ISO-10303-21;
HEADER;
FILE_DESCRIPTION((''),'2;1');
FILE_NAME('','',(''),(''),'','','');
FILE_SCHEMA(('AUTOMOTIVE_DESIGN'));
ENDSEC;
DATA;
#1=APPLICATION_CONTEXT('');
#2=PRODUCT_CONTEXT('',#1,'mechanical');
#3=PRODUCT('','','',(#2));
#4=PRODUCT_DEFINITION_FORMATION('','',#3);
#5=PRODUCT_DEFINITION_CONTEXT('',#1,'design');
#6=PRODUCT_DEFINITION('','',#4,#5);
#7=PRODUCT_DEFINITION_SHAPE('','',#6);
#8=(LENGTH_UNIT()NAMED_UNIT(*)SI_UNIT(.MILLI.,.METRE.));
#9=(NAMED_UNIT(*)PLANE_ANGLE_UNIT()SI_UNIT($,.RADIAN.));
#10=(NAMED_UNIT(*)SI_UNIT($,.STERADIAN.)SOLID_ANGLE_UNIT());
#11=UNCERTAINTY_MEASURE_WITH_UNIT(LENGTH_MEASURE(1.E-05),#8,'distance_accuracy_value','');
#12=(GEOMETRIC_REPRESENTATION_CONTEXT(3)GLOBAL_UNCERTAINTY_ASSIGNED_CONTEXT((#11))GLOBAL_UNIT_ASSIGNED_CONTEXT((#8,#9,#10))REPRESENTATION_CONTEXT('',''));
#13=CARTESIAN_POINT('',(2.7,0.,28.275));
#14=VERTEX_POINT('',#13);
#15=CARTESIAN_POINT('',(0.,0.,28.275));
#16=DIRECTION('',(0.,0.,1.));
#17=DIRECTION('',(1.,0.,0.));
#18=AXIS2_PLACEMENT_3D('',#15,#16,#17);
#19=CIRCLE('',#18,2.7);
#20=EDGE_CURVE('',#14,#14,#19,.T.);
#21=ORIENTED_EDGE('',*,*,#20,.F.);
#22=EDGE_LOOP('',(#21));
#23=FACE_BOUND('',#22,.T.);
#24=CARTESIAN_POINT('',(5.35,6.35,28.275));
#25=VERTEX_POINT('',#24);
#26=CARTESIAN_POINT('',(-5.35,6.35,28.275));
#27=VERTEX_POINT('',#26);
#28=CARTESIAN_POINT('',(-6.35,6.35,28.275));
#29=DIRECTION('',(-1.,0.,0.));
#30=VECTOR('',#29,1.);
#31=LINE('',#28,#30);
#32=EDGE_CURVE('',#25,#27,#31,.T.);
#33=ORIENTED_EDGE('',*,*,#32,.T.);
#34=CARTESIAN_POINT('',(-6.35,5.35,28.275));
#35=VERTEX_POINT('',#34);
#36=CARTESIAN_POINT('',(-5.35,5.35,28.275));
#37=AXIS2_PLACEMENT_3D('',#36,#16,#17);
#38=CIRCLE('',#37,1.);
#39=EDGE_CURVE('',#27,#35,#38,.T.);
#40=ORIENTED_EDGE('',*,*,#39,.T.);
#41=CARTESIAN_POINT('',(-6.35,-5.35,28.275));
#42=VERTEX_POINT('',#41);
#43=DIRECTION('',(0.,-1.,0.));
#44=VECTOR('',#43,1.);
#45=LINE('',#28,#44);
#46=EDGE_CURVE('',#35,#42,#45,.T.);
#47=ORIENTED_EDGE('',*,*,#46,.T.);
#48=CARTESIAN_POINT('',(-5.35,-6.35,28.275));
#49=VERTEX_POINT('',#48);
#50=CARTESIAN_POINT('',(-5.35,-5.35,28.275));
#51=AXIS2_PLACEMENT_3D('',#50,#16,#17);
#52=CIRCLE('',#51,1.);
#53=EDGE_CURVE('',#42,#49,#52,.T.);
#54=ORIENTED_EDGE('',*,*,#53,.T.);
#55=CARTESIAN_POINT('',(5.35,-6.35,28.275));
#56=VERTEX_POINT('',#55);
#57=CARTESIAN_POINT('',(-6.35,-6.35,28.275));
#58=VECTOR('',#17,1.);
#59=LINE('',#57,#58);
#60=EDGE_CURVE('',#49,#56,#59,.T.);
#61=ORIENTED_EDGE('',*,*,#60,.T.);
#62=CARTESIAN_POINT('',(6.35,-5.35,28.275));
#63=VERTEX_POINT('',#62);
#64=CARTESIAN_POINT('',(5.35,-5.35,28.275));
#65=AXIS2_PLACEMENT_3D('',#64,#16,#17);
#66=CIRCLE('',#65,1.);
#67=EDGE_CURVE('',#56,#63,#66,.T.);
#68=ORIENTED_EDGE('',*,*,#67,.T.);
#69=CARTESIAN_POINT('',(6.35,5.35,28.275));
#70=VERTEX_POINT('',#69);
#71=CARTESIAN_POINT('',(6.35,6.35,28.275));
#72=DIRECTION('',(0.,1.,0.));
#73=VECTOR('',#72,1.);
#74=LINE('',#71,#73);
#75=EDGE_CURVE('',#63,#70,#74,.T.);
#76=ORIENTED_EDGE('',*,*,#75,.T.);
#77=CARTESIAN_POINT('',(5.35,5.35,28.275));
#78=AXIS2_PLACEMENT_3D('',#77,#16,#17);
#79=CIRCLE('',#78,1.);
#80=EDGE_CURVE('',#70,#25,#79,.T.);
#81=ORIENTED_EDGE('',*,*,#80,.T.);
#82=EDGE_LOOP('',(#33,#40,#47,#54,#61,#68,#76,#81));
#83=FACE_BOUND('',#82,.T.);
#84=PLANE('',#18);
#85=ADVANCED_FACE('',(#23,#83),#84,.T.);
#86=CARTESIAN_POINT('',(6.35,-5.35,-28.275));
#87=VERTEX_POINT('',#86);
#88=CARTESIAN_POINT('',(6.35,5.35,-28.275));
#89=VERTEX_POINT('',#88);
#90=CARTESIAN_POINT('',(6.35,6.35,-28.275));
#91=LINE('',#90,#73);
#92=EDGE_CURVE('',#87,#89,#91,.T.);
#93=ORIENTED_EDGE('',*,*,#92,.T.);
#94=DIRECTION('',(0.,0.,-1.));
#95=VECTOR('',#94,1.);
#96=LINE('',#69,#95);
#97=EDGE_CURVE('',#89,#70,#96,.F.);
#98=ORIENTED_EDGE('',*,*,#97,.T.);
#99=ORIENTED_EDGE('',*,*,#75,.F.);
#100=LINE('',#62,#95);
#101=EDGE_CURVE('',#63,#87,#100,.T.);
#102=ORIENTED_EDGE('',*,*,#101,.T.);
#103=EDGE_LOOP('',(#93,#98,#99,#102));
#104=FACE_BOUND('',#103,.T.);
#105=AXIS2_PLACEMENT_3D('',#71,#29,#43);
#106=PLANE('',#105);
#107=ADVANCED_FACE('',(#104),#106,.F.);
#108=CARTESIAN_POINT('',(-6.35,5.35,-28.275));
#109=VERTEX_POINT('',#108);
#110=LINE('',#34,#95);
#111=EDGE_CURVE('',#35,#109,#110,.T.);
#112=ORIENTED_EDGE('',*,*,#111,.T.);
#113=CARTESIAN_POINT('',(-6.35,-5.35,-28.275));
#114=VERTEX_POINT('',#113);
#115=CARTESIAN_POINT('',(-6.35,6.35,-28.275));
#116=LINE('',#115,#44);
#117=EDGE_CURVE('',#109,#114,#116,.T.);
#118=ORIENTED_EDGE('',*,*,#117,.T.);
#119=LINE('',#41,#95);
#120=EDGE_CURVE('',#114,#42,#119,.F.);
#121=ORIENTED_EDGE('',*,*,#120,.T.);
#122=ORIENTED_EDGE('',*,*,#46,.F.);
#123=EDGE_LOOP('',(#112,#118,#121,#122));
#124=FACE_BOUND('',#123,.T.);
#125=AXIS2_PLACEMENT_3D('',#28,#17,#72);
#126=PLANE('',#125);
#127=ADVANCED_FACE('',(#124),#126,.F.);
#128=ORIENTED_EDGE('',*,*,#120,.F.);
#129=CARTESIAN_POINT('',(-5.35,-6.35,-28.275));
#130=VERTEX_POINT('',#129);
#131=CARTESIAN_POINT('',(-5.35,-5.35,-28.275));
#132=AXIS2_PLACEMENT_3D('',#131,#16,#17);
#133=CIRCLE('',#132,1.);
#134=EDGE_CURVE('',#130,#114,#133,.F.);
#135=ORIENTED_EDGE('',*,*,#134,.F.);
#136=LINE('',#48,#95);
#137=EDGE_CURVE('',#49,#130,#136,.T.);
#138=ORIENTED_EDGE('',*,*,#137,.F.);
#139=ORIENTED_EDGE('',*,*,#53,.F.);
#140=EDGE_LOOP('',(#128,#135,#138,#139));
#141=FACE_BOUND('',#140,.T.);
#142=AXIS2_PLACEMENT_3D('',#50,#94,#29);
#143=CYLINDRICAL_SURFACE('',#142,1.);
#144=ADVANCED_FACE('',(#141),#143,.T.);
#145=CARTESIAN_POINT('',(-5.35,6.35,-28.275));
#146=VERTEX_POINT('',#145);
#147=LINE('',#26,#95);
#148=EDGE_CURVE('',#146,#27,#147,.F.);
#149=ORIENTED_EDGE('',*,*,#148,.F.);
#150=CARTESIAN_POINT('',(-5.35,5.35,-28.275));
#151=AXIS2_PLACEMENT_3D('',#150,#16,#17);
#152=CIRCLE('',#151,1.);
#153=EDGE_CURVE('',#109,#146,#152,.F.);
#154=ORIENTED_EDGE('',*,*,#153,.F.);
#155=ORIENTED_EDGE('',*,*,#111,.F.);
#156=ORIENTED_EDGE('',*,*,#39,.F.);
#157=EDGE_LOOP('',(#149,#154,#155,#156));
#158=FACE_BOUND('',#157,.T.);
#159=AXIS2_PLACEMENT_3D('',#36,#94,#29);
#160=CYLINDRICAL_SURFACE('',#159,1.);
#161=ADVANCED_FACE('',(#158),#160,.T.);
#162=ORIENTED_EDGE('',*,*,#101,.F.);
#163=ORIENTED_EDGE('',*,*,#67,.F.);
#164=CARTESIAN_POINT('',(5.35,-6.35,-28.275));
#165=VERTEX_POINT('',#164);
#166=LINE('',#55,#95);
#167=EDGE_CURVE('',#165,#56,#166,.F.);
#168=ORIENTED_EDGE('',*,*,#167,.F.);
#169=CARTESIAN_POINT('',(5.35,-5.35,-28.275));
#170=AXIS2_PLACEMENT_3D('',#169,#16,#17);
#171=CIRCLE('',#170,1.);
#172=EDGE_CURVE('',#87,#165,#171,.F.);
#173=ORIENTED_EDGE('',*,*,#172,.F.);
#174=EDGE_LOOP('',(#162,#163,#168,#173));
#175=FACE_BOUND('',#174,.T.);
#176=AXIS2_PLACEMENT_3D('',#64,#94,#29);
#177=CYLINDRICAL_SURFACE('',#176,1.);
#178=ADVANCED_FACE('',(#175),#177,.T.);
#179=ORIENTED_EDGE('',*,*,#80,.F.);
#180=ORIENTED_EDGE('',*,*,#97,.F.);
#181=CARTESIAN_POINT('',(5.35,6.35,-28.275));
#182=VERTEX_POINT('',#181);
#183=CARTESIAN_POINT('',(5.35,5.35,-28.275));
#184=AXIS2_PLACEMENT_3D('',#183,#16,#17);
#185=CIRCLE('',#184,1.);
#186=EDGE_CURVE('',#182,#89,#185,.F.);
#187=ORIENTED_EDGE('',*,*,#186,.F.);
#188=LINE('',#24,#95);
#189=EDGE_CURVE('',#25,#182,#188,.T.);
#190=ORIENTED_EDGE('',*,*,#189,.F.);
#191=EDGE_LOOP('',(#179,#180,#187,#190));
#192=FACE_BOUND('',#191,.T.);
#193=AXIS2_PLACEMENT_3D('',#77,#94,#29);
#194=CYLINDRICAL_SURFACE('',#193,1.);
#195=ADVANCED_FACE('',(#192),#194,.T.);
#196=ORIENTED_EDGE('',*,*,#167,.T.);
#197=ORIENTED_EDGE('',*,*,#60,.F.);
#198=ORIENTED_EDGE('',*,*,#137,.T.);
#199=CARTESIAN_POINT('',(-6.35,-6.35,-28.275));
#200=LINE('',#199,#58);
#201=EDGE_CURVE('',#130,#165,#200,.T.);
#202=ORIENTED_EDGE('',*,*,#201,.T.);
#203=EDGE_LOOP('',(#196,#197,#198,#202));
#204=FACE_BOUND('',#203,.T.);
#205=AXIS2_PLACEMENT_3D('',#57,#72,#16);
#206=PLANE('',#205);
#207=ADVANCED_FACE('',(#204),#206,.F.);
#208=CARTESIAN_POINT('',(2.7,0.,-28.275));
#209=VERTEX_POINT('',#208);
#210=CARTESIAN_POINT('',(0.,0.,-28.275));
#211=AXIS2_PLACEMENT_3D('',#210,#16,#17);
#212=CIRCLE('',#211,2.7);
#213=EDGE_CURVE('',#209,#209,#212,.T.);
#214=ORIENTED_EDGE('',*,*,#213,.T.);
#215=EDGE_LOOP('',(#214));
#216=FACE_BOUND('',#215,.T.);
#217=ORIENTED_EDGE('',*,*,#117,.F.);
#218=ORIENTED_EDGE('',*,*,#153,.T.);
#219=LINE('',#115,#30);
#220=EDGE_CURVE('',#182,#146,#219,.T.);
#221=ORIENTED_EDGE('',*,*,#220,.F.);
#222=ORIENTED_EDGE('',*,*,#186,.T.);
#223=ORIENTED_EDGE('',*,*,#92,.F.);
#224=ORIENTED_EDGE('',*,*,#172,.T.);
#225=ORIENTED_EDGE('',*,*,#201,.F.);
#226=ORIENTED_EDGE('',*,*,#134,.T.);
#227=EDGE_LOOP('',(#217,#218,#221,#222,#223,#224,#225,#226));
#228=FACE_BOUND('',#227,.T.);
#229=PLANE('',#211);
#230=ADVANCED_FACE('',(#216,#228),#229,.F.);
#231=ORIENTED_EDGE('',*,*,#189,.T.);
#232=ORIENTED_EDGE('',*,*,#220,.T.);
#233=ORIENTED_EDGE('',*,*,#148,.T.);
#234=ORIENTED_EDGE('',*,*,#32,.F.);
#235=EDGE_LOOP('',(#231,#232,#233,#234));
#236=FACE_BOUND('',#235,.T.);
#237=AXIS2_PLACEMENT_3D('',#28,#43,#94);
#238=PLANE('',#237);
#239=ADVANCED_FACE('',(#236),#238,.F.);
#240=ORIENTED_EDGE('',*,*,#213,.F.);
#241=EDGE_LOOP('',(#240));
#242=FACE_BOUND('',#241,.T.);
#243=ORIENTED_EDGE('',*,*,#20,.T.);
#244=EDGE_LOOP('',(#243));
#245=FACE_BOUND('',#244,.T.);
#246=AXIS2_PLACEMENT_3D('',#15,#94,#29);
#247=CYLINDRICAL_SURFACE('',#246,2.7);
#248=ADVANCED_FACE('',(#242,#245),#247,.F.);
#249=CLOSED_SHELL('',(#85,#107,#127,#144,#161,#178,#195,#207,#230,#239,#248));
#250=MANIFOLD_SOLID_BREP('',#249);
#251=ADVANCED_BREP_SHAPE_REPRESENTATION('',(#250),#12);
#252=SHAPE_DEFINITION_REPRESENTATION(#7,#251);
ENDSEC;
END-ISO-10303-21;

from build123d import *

# Parameters (mm, degrees)
SKETCH1_W           = 12.7
SKETCH1_H           = 12.7
SKETCH1_R           = 2.7
BOSS_EXTRUDE1_DEPTH = 28.275
FILLET2_R           = 1


with BuildPart() as part:
    # Sketch1 → Boss-Extrude1 (new, symmetric)
    with BuildSketch(Plane.XY):
        Rectangle(SKETCH1_W, SKETCH1_H)
        Circle(SKETCH1_R, mode=Mode.SUBTRACT)
    extrude(amount=BOSS_EXTRUDE1_DEPTH, both=True)

    # Fillet2
    fillet2_edges = [part.edges().sort_by_distance(p)[0] for p in [
        (6.35, -6.35, 0),
        (-6.35, -6.35, 0),
        (-6.35, 6.35, 0),
        (6.35, 6.35, 0),
    ]]
    fillet(fillet2_edges, radius=FILLET2_R)


solid = part.part
